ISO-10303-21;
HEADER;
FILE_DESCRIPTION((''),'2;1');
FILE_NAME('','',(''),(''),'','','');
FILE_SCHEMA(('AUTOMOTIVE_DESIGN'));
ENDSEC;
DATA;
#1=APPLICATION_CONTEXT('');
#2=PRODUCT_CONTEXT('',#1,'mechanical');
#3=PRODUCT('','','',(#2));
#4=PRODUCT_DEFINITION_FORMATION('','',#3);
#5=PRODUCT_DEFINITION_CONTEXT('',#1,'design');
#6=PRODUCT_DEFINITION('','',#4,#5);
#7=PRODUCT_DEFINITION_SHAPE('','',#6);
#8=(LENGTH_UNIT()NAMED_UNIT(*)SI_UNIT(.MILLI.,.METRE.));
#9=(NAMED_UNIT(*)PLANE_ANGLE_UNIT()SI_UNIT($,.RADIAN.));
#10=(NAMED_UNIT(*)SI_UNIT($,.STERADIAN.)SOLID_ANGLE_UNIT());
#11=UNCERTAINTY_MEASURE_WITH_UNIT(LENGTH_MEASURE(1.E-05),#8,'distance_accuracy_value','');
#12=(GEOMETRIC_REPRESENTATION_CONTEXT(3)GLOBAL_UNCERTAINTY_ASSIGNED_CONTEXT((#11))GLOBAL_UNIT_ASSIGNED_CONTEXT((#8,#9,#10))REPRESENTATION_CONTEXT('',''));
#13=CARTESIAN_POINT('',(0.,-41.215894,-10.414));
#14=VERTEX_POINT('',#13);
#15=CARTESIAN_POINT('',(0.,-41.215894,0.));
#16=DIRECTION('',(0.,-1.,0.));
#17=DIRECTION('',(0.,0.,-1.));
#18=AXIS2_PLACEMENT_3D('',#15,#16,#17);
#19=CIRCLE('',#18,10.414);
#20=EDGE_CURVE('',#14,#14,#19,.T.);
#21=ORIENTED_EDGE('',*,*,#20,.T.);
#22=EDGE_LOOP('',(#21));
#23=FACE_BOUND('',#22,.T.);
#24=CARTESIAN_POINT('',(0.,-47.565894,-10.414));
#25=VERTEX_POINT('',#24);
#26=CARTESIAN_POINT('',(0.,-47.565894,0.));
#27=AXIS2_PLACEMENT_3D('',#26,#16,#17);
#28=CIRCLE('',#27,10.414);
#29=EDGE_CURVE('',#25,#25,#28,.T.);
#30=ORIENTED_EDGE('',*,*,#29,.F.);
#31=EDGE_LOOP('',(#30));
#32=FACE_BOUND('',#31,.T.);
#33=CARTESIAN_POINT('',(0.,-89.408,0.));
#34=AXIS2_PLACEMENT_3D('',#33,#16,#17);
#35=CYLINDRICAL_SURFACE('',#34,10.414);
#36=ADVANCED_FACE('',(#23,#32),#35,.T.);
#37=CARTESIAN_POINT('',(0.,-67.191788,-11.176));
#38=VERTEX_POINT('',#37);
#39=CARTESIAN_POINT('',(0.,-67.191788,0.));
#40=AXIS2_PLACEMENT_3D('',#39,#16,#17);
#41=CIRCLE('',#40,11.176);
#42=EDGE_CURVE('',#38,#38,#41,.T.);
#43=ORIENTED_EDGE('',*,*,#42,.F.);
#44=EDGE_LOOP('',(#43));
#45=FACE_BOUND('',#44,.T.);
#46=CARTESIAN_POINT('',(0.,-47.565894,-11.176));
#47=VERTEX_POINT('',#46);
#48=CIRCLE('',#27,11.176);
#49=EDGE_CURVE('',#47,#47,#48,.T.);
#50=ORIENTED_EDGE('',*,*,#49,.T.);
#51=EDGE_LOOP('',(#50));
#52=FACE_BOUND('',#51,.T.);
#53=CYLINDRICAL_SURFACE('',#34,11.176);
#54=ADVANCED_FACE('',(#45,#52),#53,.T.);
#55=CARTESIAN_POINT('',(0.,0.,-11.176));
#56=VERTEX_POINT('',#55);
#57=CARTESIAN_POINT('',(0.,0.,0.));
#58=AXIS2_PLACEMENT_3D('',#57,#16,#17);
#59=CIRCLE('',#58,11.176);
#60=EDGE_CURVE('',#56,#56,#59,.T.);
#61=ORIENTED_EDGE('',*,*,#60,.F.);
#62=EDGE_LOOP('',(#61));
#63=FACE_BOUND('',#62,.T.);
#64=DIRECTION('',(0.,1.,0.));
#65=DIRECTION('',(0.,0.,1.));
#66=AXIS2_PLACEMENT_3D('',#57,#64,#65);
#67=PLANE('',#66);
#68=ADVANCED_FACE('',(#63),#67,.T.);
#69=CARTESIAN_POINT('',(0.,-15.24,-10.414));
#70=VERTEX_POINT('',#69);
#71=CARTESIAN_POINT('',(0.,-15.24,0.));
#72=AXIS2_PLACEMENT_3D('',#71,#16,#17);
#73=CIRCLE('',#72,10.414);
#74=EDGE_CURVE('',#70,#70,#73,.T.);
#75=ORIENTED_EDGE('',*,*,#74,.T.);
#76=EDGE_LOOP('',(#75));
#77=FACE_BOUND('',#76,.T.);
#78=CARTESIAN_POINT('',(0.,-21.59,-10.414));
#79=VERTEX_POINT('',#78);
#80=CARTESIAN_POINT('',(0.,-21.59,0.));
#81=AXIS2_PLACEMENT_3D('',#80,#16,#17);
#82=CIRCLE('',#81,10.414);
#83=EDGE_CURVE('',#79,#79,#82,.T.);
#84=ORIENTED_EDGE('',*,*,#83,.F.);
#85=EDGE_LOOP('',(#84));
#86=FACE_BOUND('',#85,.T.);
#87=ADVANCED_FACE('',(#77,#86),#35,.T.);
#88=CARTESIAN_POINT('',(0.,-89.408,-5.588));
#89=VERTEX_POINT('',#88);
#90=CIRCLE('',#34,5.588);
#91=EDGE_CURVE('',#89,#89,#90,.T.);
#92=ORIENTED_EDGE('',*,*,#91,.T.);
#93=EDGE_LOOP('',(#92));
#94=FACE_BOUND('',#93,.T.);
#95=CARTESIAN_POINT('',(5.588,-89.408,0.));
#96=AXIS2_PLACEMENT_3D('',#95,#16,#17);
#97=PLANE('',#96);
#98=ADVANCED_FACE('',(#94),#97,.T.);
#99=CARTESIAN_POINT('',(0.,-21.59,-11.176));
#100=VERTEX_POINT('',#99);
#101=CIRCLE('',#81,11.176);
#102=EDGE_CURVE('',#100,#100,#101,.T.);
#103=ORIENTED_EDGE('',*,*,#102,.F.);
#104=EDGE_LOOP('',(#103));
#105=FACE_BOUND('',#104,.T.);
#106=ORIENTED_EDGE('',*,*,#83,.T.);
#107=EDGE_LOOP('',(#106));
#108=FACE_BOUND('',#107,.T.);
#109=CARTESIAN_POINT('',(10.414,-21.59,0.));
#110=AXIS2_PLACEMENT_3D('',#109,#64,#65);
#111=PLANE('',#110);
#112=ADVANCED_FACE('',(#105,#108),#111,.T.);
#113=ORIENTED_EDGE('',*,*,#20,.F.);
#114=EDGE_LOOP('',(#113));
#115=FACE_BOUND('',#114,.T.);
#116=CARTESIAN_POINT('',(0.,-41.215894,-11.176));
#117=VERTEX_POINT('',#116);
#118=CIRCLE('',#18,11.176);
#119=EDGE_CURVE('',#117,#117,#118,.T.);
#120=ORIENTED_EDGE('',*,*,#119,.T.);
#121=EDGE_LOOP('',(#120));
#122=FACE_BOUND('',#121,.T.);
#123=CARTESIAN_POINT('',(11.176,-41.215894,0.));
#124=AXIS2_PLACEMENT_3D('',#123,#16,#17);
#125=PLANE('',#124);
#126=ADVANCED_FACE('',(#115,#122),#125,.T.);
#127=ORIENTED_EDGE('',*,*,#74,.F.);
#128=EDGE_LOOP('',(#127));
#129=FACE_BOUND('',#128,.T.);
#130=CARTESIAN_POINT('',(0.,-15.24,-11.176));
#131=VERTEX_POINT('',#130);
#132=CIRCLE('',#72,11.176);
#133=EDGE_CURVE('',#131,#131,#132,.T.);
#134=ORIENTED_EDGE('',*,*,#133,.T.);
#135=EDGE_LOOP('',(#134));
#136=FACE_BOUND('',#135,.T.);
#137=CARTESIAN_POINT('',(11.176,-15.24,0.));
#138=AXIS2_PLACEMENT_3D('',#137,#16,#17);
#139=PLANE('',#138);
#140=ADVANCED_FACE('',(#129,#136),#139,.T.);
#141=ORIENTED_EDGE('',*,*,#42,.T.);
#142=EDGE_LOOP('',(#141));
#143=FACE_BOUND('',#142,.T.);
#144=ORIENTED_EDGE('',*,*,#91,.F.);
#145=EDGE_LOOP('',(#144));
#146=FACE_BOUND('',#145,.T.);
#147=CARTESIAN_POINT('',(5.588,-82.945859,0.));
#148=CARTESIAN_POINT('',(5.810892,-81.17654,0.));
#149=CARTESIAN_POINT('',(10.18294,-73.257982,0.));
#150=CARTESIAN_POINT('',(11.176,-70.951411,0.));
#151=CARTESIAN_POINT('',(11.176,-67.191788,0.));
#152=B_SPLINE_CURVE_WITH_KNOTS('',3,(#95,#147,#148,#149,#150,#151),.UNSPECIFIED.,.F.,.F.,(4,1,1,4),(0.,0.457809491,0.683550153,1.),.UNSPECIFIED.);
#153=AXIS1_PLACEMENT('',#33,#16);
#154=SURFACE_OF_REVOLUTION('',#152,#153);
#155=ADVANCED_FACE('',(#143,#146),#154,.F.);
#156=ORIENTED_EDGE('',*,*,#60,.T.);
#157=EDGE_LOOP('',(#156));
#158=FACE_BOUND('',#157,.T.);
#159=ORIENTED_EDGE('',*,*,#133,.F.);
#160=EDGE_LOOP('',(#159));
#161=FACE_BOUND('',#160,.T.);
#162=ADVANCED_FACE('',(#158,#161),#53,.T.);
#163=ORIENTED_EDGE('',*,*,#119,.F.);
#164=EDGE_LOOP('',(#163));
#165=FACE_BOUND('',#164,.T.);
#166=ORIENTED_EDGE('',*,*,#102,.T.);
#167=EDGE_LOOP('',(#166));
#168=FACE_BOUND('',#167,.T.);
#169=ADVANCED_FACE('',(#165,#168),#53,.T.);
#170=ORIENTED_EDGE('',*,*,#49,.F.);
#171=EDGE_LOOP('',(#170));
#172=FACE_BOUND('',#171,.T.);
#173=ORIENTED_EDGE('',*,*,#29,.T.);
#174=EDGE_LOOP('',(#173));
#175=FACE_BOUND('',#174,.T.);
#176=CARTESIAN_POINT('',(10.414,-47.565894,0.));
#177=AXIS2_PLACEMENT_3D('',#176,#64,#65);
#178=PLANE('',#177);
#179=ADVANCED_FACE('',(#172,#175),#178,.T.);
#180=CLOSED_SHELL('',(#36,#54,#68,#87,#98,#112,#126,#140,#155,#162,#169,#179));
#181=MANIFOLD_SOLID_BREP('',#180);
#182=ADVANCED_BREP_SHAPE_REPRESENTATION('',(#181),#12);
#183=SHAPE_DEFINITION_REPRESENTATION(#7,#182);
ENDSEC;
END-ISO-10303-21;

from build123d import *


with BuildPart() as part:
    # Sketch1 → Revolve1 (revolve)
    with BuildSketch(Plane.XY, mode=Mode.PRIVATE) as revolve1_sk:
        with BuildLine():
            Line((0, 0), (11.176, 0))
            Line((11.176, 0), (11.176, -15.24))
            Line((11.176, -15.24), (10.414, -15.24))
            Line((10.414, -15.24), (10.414, -21.59))
            Line((10.414, -21.59), (11.176, -21.59))
            Line((11.176, -21.59), (11.176, -41.215894229))
            Line((11.176, -41.215894229), (10.414, -41.215894229))
            Line((10.414, -41.215894229), (10.414, -47.565894229))
            Line((10.414, -47.565894229), (11.176, -47.565894229))
            Line((11.176, -47.565894229), (11.176, -67.191788457))
            add(Edge.make_bspline(
                [(11.176, -67.191788457), (11.176, -70.951410921), (10.182939744, -73.257982378), (5.810891639, -81.176539717), (5.588, -82.94585867), (5.588, -89.408)],
                knots=[0, 0, 0, 0, 0.316449847, 0.542190509, 1, 1, 1, 1], degree=3))
            Line((5.588, -89.408), (0, -89.408))
            Line((0, -89.408), (0, 0))
        make_face()
    revolve(revolve1_sk.sketch.rotate(Axis((0, -89.408, 0), (0, 1, 0)), 90), axis=Axis((0, -89.408, 0), (0, 1, 0)))


solid = part.part
